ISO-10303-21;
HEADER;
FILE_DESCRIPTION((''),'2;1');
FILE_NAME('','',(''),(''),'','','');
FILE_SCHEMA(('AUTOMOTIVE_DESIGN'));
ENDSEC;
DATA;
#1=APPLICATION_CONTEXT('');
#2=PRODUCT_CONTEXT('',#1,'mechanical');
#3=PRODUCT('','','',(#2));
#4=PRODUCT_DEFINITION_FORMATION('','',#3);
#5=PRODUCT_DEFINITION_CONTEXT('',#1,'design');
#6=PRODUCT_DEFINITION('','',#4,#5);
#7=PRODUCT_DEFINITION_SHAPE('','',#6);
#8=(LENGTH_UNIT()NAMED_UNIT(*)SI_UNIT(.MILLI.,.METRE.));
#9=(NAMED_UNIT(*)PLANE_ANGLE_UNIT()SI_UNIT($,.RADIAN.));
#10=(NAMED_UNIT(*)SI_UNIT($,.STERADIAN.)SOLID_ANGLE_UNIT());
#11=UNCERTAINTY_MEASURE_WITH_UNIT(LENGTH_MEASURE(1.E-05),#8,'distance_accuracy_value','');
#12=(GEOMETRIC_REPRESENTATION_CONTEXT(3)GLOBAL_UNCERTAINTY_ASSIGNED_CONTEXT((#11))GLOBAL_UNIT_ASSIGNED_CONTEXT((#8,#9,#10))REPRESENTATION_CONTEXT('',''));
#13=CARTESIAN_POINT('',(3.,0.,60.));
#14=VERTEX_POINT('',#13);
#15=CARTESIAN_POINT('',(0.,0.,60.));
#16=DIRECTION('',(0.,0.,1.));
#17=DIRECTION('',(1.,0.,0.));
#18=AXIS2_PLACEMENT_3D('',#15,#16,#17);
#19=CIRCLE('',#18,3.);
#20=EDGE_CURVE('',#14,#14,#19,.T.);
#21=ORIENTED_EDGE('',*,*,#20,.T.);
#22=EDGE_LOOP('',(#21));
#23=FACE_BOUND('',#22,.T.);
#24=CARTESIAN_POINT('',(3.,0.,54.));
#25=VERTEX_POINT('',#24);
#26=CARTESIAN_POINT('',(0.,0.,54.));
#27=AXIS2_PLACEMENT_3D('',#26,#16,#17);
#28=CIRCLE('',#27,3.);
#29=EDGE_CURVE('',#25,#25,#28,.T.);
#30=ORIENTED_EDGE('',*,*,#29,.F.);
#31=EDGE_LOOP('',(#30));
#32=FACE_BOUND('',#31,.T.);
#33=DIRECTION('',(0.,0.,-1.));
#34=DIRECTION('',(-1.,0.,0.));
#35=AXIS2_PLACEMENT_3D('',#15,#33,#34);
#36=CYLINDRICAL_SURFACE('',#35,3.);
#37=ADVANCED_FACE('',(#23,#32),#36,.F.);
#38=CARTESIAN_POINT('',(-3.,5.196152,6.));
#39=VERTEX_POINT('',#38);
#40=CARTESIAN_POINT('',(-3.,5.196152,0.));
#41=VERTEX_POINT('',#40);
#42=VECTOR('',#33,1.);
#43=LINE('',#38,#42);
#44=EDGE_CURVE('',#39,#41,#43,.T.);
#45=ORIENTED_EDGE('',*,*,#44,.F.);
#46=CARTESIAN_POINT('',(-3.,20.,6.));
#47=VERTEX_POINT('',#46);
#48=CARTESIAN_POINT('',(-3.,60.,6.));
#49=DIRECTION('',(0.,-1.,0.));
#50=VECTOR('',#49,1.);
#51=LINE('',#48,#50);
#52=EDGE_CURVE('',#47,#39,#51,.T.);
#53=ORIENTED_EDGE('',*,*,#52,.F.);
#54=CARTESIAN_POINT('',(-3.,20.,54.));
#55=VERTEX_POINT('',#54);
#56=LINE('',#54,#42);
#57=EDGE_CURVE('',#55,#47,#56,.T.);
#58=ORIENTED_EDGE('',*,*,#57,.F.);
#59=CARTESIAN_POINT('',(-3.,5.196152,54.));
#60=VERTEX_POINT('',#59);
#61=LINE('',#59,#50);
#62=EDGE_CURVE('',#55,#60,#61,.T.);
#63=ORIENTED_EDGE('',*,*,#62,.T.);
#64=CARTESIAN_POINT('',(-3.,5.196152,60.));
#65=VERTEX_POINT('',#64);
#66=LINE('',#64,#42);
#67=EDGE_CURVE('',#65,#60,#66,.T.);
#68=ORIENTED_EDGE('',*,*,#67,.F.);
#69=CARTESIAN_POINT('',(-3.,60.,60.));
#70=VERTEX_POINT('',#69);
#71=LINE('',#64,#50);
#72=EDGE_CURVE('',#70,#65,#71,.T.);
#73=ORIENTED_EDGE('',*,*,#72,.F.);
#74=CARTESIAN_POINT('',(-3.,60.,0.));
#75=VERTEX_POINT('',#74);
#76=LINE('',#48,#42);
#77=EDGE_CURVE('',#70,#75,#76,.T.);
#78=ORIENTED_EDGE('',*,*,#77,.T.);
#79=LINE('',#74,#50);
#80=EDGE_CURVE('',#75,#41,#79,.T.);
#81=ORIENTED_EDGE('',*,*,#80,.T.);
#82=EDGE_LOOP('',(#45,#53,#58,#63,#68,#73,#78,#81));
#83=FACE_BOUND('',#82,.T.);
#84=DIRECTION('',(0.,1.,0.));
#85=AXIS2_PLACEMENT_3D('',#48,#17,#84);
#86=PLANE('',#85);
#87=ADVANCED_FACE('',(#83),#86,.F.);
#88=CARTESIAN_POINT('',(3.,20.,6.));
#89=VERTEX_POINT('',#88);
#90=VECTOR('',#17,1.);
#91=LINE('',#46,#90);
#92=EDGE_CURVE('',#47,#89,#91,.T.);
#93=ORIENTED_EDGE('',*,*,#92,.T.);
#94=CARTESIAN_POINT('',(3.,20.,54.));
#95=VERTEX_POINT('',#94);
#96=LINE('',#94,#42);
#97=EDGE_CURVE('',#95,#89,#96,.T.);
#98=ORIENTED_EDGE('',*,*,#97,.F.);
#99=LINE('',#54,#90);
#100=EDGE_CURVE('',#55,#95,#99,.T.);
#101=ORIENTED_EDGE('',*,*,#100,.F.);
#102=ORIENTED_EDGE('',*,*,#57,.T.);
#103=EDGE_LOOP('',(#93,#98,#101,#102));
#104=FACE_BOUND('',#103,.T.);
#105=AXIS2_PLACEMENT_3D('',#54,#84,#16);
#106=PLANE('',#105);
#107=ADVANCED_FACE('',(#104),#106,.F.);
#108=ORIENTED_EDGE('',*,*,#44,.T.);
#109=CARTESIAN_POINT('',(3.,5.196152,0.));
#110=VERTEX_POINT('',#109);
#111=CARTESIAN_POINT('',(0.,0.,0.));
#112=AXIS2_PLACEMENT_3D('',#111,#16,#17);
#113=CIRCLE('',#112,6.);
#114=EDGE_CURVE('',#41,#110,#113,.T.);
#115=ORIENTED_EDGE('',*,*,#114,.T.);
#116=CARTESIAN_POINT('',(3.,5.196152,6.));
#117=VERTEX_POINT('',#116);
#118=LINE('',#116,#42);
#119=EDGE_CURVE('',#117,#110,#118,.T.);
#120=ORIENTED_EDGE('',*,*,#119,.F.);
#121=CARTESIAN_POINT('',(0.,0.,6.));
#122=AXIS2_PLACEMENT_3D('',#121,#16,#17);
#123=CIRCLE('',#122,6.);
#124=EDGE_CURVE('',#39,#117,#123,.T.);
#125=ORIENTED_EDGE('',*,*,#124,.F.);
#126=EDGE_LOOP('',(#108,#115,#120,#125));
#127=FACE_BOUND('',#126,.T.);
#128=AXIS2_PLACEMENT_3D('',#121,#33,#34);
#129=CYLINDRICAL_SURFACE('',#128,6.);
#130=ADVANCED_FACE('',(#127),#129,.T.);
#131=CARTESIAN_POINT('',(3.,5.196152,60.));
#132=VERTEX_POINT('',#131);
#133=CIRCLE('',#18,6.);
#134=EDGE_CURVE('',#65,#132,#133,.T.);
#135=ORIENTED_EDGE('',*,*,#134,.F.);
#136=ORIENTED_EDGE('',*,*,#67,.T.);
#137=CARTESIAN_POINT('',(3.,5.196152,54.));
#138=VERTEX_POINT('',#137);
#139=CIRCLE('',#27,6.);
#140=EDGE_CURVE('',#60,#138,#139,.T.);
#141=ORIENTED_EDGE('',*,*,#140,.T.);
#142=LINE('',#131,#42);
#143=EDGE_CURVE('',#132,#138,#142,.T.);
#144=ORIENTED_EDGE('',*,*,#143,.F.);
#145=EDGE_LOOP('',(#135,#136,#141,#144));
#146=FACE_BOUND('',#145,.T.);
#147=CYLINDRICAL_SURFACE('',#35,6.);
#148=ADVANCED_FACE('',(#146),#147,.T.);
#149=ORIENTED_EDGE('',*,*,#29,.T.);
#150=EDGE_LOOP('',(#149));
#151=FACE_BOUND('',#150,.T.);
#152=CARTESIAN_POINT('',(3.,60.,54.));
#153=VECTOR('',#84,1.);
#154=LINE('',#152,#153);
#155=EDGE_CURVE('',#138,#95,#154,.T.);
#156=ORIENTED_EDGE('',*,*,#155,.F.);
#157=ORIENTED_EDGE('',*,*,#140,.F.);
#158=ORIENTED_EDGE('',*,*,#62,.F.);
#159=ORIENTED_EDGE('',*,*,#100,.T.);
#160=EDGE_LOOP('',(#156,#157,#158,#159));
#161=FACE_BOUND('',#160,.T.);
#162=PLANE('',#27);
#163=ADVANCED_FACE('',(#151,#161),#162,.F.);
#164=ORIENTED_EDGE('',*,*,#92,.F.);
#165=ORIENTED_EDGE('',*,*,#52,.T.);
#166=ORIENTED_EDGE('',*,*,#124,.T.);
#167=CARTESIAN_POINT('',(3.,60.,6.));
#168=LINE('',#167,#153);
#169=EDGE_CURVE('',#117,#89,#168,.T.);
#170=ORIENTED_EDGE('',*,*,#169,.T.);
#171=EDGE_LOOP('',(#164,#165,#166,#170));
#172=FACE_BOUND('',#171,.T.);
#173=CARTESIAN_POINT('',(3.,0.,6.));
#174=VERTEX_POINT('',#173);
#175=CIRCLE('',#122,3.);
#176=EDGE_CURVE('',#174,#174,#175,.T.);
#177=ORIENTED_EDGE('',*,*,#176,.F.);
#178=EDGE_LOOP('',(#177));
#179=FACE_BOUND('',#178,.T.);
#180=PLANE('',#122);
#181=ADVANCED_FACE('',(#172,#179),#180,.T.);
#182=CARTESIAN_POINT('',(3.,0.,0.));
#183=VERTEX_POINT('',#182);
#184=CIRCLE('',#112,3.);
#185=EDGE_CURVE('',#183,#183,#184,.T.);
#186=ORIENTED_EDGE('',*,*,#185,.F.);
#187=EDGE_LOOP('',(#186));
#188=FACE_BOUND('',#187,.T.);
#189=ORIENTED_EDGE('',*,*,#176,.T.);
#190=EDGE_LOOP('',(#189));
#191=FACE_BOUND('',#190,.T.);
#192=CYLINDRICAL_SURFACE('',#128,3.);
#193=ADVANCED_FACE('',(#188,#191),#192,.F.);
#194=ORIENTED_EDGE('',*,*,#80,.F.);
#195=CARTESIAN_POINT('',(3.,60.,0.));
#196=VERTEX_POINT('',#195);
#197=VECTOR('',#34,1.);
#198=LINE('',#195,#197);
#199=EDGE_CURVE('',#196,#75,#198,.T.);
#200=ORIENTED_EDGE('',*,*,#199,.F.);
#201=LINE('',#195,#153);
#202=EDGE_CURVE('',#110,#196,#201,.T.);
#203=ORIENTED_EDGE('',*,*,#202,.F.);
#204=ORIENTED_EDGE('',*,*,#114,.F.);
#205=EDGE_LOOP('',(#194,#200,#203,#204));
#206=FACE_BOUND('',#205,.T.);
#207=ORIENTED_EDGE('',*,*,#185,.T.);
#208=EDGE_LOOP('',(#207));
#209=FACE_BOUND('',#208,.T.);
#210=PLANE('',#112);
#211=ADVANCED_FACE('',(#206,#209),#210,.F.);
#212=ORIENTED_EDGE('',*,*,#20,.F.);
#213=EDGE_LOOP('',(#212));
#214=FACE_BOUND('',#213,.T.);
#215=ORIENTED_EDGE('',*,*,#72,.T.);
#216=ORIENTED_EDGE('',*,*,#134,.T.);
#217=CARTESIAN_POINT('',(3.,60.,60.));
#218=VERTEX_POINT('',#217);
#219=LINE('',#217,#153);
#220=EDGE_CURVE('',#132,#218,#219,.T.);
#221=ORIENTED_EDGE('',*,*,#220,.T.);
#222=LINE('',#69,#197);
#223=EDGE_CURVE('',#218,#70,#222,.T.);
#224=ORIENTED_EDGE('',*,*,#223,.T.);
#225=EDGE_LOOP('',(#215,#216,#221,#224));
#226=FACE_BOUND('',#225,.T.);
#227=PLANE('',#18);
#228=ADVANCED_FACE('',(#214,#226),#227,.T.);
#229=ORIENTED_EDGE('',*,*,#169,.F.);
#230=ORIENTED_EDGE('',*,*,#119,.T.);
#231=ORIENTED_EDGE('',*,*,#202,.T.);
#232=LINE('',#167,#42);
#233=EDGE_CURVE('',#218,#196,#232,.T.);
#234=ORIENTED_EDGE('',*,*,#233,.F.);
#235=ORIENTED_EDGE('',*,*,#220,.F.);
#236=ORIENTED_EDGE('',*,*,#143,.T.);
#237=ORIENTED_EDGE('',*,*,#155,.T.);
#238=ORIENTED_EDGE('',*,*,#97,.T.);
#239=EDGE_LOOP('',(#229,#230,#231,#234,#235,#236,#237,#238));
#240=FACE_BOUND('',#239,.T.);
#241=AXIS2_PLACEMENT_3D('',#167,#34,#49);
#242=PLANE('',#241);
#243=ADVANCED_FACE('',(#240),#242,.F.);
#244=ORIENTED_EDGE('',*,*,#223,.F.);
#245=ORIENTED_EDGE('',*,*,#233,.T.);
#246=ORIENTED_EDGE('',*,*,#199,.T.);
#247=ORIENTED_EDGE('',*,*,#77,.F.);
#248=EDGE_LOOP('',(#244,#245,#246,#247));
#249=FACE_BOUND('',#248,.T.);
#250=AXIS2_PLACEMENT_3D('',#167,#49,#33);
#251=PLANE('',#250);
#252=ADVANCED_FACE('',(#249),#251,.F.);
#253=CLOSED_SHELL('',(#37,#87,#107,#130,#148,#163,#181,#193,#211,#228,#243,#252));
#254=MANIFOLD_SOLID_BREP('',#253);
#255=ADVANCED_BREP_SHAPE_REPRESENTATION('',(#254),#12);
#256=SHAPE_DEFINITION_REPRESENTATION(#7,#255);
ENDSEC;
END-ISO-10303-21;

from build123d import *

# Parameters (mm, degrees)
CROQUIS1_R              = 3
SALIENTE_EXTRUIR1_DEPTH = 6
CROQUIS2_W              = 6
CROQUIS2_H              = 40
SALIENTE_EXTRUIR2_DEPTH = 48
CROQUIS3_R              = 3
SALIENTE_EXTRUIR3_DEPTH = 6


with BuildPart() as part:
    # Croquis1 → Saliente-Extruir1 (new body)
    with BuildSketch(Plane.XY):
        with BuildLine():
            Line((3, 60), (-3, 60))
            Line((-3, 60), (-3, 5.196152423))
            ThreePointArc((-3, 5.196152423), (0, -6), (3, 5.196152423))
            Line((3, 5.196152423), (3, 60))
        make_face()
        Circle(CROQUIS1_R, mode=Mode.SUBTRACT)
    extrude(amount=SALIENTE_EXTRUIR1_DEPTH)

    # Croquis2 → Saliente-Extruir2 (add)
    with BuildSketch(Plane.XY.offset(6)):
        with Locations((0, 40)):
            Rectangle(CROQUIS2_W, CROQUIS2_H)
    extrude(amount=SALIENTE_EXTRUIR2_DEPTH)

    # Croquis3 → Saliente-Extruir3 (add)
    with BuildSketch(Plane.XY.offset(54)):
        with BuildLine():
            Line((-3, 5.196152423), (-3, 60))
            Line((-3, 60), (3, 60))
            Line((3, 60), (3, 5.196152423))
            ThreePointArc((3, 5.196152423), (0, -6), (-3, 5.196152423))
        make_face()
        Circle(CROQUIS3_R, mode=Mode.SUBTRACT)
    extrude(amount=SALIENTE_EXTRUIR3_DEPTH)


solid = part.part
